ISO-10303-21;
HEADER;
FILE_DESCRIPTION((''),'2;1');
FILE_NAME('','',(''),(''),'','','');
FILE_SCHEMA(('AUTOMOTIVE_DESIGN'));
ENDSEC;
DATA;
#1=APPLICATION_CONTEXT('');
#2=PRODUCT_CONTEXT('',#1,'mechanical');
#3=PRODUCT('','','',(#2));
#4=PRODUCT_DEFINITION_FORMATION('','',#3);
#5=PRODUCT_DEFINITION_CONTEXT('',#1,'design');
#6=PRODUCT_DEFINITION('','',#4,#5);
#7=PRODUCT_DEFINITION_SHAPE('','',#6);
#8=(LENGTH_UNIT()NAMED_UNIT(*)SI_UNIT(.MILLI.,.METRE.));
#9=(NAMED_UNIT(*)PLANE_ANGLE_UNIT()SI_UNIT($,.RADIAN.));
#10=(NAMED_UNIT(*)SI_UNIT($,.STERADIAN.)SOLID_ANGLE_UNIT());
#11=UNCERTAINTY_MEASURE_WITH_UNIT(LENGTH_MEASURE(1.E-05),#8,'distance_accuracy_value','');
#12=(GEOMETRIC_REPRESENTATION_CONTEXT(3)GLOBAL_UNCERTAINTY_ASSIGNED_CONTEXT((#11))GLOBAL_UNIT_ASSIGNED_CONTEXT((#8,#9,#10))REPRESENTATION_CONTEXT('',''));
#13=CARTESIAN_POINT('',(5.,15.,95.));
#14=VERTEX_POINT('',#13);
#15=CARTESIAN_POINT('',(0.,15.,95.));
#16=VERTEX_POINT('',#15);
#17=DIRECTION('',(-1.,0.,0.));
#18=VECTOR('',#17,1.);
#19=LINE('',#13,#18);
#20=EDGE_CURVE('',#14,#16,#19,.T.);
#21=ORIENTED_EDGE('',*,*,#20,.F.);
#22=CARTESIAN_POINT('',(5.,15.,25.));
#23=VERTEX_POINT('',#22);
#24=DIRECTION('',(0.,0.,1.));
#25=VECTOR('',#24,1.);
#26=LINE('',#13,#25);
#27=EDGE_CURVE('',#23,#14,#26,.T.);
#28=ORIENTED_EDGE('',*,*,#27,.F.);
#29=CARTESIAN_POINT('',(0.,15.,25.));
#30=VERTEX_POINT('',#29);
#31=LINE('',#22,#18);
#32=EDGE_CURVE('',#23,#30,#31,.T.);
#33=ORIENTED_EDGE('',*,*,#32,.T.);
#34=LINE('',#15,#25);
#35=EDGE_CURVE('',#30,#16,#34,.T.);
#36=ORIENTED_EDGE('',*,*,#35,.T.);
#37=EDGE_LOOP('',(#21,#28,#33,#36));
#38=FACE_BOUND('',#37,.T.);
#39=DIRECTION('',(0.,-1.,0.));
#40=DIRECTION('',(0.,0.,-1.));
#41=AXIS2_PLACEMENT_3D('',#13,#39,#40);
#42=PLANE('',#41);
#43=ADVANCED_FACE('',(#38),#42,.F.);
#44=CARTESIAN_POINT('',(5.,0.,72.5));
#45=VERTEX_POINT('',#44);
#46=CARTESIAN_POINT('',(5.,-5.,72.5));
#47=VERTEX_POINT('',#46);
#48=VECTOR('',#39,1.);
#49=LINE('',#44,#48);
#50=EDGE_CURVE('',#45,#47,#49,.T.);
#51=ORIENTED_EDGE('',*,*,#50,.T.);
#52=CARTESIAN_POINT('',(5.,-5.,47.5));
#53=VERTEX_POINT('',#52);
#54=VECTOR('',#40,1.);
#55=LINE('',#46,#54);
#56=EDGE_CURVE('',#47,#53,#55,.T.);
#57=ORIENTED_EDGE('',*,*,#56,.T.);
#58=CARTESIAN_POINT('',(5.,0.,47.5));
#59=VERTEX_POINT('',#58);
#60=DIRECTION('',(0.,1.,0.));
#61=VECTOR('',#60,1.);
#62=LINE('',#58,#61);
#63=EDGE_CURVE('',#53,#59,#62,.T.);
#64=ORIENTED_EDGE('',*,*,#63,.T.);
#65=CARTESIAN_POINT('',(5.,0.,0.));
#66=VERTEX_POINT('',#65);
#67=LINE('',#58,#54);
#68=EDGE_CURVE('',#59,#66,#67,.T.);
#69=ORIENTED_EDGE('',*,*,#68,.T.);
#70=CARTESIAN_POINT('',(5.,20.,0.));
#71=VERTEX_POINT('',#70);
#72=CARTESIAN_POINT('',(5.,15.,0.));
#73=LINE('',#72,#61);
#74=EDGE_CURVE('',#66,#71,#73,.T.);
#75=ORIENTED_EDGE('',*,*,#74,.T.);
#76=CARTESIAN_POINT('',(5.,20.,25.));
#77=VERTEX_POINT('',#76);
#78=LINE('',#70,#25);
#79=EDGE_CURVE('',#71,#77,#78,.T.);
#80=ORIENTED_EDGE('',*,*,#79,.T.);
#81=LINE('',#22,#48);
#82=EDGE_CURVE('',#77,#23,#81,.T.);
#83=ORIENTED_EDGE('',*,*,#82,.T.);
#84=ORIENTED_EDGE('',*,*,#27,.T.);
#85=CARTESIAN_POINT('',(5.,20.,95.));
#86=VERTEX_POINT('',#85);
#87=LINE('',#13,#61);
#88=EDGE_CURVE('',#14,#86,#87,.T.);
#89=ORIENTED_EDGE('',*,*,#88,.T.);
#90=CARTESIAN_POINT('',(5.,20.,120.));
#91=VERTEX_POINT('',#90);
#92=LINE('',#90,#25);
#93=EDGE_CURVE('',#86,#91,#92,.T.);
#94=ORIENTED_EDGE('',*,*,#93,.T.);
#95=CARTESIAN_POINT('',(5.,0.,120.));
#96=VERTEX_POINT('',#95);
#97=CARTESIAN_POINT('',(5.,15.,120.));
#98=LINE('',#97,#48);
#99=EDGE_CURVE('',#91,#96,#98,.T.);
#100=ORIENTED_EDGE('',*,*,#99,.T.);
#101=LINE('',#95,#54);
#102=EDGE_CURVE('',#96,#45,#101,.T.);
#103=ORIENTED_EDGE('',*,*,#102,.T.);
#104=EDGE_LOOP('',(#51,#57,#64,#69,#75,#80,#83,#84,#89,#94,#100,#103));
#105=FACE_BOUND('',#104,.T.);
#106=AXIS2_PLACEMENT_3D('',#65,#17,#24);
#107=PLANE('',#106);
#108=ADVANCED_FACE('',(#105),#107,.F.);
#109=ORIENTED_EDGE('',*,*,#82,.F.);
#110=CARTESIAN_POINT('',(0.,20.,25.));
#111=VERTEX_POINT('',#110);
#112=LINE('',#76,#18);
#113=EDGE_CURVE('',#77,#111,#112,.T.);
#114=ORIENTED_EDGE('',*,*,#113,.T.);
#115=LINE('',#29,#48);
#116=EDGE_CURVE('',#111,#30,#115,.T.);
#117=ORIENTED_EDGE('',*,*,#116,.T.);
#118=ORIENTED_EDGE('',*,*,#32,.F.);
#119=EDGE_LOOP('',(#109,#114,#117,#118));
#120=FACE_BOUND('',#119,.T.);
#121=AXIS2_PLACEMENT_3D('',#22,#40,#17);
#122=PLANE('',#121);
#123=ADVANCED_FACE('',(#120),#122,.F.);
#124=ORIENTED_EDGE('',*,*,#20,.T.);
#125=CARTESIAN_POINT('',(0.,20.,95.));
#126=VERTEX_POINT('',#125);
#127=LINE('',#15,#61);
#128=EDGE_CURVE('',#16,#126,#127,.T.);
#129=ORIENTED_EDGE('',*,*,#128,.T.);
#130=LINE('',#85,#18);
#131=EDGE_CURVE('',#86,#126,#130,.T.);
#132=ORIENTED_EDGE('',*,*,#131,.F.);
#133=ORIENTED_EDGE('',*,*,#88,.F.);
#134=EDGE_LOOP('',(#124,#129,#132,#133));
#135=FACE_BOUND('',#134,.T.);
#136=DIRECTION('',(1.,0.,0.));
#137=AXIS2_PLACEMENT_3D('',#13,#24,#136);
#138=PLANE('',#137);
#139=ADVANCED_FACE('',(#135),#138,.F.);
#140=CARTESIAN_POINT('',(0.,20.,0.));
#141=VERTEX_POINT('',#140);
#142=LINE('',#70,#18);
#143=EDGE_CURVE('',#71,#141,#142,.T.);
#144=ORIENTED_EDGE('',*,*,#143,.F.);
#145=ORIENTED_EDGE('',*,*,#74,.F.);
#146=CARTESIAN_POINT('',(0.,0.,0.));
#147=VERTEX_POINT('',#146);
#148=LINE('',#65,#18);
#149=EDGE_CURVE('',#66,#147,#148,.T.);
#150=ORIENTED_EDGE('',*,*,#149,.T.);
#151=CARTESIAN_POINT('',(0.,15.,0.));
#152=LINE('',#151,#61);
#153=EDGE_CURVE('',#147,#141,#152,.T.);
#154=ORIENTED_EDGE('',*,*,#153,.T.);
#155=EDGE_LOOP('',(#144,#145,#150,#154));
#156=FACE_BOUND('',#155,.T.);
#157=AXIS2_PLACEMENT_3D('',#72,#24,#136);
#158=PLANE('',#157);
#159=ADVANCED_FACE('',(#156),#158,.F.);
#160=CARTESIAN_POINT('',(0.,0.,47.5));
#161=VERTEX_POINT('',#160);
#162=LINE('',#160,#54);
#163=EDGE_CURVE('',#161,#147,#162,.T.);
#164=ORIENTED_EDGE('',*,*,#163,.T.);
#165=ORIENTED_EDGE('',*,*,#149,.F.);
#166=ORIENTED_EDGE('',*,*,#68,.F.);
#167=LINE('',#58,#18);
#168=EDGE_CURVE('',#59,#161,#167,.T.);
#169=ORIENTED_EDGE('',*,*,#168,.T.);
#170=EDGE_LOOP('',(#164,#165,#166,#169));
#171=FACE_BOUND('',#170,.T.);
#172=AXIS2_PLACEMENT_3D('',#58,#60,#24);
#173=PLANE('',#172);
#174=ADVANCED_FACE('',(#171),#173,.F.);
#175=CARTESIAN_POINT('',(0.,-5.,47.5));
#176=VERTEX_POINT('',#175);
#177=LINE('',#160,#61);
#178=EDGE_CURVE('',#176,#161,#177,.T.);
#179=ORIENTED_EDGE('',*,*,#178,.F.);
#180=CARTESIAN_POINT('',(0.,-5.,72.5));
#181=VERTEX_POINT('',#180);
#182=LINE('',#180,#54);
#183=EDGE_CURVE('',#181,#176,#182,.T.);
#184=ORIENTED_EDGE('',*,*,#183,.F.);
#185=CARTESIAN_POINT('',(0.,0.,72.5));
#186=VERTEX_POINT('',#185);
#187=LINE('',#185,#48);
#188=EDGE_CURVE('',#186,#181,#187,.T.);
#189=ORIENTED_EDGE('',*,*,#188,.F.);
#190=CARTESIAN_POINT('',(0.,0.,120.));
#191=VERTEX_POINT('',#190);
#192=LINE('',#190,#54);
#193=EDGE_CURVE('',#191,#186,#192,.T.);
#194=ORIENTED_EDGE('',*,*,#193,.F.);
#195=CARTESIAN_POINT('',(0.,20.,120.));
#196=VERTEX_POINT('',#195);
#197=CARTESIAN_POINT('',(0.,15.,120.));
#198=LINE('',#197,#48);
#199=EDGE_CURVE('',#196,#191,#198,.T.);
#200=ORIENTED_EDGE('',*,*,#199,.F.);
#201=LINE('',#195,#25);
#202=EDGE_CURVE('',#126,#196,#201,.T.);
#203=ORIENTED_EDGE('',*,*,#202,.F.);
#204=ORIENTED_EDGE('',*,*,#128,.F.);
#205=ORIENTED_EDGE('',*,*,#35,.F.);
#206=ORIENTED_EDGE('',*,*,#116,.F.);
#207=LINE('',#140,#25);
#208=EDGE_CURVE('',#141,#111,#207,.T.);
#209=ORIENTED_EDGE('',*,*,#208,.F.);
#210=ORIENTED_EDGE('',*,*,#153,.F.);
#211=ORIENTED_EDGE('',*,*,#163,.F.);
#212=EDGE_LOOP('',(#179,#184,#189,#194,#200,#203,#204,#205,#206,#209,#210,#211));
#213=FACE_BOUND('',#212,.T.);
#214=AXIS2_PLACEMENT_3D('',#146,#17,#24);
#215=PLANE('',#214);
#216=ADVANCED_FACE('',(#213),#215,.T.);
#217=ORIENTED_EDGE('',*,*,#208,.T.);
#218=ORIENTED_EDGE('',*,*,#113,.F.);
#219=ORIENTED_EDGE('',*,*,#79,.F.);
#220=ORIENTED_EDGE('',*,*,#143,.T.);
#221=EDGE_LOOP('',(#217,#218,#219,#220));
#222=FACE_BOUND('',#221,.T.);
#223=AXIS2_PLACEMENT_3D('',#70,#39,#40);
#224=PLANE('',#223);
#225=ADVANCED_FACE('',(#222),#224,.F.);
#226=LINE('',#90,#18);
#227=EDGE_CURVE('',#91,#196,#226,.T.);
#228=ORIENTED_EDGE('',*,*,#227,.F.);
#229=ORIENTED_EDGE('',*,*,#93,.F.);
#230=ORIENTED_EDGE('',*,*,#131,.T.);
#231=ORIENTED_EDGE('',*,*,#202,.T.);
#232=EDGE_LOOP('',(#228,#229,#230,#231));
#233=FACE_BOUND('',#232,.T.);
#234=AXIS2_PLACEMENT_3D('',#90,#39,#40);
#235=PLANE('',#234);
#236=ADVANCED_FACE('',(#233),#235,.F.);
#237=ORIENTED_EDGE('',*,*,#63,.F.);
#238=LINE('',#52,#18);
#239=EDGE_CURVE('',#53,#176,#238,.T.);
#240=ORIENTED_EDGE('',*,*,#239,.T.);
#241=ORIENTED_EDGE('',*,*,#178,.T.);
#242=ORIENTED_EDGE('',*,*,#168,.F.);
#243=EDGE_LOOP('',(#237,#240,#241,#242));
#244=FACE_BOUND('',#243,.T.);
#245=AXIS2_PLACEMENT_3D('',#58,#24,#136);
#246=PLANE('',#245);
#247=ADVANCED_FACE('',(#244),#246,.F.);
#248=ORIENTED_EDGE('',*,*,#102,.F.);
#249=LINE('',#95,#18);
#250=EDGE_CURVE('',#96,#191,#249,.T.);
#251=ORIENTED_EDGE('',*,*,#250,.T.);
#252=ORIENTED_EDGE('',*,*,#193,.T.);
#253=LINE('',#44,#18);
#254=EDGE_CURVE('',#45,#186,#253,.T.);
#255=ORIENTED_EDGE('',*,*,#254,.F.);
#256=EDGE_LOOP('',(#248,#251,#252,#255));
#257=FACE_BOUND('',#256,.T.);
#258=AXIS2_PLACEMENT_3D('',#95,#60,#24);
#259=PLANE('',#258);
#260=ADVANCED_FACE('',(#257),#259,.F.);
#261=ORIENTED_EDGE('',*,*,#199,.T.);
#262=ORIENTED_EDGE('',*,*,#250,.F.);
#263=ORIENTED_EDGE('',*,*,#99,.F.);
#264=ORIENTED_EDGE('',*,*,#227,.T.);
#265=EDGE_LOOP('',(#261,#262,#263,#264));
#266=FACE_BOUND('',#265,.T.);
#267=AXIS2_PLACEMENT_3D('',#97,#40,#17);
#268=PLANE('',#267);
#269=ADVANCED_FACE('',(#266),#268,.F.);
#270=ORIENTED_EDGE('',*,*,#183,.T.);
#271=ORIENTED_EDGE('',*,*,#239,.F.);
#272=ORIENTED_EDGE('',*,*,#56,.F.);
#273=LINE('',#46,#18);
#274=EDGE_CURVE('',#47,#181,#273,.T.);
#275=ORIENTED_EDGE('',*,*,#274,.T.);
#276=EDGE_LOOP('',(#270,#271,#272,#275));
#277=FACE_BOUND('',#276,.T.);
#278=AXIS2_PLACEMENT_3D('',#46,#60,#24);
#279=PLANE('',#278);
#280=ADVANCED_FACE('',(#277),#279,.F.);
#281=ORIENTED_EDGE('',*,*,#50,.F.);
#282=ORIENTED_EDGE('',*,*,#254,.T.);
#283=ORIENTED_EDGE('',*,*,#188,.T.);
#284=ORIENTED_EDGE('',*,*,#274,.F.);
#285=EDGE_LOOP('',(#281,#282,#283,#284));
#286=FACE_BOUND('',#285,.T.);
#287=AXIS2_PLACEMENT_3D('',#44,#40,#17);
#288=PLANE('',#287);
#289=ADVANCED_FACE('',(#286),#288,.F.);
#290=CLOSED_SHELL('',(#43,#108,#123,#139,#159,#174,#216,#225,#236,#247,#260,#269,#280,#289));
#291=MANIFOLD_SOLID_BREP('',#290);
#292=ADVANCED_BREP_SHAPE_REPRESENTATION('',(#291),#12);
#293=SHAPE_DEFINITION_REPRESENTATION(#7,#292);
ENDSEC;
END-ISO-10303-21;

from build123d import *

# Parameters (mm, degrees)
EXTRUDE_1_DEPTH = 5


with BuildPart() as part:
    # 草图1 → 凸台-拉伸1 (new body)
    with BuildSketch(Plane(origin=(0, 0, 0), x_dir=(0, 0, -1), z_dir=(1, 0, 0))):
        Polygon((-47.5, 0), (0, 0), (0, 15), (0, 20), (-25, 20), (-25, 15), (-95, 15), (-95, 20), (-120, 20), (-120, 15), (-120, 0), (-72.5, 0), (-72.5, -5), (-47.5, -5), align=None)
    extrude(amount=EXTRUDE_1_DEPTH)


solid = part.part
